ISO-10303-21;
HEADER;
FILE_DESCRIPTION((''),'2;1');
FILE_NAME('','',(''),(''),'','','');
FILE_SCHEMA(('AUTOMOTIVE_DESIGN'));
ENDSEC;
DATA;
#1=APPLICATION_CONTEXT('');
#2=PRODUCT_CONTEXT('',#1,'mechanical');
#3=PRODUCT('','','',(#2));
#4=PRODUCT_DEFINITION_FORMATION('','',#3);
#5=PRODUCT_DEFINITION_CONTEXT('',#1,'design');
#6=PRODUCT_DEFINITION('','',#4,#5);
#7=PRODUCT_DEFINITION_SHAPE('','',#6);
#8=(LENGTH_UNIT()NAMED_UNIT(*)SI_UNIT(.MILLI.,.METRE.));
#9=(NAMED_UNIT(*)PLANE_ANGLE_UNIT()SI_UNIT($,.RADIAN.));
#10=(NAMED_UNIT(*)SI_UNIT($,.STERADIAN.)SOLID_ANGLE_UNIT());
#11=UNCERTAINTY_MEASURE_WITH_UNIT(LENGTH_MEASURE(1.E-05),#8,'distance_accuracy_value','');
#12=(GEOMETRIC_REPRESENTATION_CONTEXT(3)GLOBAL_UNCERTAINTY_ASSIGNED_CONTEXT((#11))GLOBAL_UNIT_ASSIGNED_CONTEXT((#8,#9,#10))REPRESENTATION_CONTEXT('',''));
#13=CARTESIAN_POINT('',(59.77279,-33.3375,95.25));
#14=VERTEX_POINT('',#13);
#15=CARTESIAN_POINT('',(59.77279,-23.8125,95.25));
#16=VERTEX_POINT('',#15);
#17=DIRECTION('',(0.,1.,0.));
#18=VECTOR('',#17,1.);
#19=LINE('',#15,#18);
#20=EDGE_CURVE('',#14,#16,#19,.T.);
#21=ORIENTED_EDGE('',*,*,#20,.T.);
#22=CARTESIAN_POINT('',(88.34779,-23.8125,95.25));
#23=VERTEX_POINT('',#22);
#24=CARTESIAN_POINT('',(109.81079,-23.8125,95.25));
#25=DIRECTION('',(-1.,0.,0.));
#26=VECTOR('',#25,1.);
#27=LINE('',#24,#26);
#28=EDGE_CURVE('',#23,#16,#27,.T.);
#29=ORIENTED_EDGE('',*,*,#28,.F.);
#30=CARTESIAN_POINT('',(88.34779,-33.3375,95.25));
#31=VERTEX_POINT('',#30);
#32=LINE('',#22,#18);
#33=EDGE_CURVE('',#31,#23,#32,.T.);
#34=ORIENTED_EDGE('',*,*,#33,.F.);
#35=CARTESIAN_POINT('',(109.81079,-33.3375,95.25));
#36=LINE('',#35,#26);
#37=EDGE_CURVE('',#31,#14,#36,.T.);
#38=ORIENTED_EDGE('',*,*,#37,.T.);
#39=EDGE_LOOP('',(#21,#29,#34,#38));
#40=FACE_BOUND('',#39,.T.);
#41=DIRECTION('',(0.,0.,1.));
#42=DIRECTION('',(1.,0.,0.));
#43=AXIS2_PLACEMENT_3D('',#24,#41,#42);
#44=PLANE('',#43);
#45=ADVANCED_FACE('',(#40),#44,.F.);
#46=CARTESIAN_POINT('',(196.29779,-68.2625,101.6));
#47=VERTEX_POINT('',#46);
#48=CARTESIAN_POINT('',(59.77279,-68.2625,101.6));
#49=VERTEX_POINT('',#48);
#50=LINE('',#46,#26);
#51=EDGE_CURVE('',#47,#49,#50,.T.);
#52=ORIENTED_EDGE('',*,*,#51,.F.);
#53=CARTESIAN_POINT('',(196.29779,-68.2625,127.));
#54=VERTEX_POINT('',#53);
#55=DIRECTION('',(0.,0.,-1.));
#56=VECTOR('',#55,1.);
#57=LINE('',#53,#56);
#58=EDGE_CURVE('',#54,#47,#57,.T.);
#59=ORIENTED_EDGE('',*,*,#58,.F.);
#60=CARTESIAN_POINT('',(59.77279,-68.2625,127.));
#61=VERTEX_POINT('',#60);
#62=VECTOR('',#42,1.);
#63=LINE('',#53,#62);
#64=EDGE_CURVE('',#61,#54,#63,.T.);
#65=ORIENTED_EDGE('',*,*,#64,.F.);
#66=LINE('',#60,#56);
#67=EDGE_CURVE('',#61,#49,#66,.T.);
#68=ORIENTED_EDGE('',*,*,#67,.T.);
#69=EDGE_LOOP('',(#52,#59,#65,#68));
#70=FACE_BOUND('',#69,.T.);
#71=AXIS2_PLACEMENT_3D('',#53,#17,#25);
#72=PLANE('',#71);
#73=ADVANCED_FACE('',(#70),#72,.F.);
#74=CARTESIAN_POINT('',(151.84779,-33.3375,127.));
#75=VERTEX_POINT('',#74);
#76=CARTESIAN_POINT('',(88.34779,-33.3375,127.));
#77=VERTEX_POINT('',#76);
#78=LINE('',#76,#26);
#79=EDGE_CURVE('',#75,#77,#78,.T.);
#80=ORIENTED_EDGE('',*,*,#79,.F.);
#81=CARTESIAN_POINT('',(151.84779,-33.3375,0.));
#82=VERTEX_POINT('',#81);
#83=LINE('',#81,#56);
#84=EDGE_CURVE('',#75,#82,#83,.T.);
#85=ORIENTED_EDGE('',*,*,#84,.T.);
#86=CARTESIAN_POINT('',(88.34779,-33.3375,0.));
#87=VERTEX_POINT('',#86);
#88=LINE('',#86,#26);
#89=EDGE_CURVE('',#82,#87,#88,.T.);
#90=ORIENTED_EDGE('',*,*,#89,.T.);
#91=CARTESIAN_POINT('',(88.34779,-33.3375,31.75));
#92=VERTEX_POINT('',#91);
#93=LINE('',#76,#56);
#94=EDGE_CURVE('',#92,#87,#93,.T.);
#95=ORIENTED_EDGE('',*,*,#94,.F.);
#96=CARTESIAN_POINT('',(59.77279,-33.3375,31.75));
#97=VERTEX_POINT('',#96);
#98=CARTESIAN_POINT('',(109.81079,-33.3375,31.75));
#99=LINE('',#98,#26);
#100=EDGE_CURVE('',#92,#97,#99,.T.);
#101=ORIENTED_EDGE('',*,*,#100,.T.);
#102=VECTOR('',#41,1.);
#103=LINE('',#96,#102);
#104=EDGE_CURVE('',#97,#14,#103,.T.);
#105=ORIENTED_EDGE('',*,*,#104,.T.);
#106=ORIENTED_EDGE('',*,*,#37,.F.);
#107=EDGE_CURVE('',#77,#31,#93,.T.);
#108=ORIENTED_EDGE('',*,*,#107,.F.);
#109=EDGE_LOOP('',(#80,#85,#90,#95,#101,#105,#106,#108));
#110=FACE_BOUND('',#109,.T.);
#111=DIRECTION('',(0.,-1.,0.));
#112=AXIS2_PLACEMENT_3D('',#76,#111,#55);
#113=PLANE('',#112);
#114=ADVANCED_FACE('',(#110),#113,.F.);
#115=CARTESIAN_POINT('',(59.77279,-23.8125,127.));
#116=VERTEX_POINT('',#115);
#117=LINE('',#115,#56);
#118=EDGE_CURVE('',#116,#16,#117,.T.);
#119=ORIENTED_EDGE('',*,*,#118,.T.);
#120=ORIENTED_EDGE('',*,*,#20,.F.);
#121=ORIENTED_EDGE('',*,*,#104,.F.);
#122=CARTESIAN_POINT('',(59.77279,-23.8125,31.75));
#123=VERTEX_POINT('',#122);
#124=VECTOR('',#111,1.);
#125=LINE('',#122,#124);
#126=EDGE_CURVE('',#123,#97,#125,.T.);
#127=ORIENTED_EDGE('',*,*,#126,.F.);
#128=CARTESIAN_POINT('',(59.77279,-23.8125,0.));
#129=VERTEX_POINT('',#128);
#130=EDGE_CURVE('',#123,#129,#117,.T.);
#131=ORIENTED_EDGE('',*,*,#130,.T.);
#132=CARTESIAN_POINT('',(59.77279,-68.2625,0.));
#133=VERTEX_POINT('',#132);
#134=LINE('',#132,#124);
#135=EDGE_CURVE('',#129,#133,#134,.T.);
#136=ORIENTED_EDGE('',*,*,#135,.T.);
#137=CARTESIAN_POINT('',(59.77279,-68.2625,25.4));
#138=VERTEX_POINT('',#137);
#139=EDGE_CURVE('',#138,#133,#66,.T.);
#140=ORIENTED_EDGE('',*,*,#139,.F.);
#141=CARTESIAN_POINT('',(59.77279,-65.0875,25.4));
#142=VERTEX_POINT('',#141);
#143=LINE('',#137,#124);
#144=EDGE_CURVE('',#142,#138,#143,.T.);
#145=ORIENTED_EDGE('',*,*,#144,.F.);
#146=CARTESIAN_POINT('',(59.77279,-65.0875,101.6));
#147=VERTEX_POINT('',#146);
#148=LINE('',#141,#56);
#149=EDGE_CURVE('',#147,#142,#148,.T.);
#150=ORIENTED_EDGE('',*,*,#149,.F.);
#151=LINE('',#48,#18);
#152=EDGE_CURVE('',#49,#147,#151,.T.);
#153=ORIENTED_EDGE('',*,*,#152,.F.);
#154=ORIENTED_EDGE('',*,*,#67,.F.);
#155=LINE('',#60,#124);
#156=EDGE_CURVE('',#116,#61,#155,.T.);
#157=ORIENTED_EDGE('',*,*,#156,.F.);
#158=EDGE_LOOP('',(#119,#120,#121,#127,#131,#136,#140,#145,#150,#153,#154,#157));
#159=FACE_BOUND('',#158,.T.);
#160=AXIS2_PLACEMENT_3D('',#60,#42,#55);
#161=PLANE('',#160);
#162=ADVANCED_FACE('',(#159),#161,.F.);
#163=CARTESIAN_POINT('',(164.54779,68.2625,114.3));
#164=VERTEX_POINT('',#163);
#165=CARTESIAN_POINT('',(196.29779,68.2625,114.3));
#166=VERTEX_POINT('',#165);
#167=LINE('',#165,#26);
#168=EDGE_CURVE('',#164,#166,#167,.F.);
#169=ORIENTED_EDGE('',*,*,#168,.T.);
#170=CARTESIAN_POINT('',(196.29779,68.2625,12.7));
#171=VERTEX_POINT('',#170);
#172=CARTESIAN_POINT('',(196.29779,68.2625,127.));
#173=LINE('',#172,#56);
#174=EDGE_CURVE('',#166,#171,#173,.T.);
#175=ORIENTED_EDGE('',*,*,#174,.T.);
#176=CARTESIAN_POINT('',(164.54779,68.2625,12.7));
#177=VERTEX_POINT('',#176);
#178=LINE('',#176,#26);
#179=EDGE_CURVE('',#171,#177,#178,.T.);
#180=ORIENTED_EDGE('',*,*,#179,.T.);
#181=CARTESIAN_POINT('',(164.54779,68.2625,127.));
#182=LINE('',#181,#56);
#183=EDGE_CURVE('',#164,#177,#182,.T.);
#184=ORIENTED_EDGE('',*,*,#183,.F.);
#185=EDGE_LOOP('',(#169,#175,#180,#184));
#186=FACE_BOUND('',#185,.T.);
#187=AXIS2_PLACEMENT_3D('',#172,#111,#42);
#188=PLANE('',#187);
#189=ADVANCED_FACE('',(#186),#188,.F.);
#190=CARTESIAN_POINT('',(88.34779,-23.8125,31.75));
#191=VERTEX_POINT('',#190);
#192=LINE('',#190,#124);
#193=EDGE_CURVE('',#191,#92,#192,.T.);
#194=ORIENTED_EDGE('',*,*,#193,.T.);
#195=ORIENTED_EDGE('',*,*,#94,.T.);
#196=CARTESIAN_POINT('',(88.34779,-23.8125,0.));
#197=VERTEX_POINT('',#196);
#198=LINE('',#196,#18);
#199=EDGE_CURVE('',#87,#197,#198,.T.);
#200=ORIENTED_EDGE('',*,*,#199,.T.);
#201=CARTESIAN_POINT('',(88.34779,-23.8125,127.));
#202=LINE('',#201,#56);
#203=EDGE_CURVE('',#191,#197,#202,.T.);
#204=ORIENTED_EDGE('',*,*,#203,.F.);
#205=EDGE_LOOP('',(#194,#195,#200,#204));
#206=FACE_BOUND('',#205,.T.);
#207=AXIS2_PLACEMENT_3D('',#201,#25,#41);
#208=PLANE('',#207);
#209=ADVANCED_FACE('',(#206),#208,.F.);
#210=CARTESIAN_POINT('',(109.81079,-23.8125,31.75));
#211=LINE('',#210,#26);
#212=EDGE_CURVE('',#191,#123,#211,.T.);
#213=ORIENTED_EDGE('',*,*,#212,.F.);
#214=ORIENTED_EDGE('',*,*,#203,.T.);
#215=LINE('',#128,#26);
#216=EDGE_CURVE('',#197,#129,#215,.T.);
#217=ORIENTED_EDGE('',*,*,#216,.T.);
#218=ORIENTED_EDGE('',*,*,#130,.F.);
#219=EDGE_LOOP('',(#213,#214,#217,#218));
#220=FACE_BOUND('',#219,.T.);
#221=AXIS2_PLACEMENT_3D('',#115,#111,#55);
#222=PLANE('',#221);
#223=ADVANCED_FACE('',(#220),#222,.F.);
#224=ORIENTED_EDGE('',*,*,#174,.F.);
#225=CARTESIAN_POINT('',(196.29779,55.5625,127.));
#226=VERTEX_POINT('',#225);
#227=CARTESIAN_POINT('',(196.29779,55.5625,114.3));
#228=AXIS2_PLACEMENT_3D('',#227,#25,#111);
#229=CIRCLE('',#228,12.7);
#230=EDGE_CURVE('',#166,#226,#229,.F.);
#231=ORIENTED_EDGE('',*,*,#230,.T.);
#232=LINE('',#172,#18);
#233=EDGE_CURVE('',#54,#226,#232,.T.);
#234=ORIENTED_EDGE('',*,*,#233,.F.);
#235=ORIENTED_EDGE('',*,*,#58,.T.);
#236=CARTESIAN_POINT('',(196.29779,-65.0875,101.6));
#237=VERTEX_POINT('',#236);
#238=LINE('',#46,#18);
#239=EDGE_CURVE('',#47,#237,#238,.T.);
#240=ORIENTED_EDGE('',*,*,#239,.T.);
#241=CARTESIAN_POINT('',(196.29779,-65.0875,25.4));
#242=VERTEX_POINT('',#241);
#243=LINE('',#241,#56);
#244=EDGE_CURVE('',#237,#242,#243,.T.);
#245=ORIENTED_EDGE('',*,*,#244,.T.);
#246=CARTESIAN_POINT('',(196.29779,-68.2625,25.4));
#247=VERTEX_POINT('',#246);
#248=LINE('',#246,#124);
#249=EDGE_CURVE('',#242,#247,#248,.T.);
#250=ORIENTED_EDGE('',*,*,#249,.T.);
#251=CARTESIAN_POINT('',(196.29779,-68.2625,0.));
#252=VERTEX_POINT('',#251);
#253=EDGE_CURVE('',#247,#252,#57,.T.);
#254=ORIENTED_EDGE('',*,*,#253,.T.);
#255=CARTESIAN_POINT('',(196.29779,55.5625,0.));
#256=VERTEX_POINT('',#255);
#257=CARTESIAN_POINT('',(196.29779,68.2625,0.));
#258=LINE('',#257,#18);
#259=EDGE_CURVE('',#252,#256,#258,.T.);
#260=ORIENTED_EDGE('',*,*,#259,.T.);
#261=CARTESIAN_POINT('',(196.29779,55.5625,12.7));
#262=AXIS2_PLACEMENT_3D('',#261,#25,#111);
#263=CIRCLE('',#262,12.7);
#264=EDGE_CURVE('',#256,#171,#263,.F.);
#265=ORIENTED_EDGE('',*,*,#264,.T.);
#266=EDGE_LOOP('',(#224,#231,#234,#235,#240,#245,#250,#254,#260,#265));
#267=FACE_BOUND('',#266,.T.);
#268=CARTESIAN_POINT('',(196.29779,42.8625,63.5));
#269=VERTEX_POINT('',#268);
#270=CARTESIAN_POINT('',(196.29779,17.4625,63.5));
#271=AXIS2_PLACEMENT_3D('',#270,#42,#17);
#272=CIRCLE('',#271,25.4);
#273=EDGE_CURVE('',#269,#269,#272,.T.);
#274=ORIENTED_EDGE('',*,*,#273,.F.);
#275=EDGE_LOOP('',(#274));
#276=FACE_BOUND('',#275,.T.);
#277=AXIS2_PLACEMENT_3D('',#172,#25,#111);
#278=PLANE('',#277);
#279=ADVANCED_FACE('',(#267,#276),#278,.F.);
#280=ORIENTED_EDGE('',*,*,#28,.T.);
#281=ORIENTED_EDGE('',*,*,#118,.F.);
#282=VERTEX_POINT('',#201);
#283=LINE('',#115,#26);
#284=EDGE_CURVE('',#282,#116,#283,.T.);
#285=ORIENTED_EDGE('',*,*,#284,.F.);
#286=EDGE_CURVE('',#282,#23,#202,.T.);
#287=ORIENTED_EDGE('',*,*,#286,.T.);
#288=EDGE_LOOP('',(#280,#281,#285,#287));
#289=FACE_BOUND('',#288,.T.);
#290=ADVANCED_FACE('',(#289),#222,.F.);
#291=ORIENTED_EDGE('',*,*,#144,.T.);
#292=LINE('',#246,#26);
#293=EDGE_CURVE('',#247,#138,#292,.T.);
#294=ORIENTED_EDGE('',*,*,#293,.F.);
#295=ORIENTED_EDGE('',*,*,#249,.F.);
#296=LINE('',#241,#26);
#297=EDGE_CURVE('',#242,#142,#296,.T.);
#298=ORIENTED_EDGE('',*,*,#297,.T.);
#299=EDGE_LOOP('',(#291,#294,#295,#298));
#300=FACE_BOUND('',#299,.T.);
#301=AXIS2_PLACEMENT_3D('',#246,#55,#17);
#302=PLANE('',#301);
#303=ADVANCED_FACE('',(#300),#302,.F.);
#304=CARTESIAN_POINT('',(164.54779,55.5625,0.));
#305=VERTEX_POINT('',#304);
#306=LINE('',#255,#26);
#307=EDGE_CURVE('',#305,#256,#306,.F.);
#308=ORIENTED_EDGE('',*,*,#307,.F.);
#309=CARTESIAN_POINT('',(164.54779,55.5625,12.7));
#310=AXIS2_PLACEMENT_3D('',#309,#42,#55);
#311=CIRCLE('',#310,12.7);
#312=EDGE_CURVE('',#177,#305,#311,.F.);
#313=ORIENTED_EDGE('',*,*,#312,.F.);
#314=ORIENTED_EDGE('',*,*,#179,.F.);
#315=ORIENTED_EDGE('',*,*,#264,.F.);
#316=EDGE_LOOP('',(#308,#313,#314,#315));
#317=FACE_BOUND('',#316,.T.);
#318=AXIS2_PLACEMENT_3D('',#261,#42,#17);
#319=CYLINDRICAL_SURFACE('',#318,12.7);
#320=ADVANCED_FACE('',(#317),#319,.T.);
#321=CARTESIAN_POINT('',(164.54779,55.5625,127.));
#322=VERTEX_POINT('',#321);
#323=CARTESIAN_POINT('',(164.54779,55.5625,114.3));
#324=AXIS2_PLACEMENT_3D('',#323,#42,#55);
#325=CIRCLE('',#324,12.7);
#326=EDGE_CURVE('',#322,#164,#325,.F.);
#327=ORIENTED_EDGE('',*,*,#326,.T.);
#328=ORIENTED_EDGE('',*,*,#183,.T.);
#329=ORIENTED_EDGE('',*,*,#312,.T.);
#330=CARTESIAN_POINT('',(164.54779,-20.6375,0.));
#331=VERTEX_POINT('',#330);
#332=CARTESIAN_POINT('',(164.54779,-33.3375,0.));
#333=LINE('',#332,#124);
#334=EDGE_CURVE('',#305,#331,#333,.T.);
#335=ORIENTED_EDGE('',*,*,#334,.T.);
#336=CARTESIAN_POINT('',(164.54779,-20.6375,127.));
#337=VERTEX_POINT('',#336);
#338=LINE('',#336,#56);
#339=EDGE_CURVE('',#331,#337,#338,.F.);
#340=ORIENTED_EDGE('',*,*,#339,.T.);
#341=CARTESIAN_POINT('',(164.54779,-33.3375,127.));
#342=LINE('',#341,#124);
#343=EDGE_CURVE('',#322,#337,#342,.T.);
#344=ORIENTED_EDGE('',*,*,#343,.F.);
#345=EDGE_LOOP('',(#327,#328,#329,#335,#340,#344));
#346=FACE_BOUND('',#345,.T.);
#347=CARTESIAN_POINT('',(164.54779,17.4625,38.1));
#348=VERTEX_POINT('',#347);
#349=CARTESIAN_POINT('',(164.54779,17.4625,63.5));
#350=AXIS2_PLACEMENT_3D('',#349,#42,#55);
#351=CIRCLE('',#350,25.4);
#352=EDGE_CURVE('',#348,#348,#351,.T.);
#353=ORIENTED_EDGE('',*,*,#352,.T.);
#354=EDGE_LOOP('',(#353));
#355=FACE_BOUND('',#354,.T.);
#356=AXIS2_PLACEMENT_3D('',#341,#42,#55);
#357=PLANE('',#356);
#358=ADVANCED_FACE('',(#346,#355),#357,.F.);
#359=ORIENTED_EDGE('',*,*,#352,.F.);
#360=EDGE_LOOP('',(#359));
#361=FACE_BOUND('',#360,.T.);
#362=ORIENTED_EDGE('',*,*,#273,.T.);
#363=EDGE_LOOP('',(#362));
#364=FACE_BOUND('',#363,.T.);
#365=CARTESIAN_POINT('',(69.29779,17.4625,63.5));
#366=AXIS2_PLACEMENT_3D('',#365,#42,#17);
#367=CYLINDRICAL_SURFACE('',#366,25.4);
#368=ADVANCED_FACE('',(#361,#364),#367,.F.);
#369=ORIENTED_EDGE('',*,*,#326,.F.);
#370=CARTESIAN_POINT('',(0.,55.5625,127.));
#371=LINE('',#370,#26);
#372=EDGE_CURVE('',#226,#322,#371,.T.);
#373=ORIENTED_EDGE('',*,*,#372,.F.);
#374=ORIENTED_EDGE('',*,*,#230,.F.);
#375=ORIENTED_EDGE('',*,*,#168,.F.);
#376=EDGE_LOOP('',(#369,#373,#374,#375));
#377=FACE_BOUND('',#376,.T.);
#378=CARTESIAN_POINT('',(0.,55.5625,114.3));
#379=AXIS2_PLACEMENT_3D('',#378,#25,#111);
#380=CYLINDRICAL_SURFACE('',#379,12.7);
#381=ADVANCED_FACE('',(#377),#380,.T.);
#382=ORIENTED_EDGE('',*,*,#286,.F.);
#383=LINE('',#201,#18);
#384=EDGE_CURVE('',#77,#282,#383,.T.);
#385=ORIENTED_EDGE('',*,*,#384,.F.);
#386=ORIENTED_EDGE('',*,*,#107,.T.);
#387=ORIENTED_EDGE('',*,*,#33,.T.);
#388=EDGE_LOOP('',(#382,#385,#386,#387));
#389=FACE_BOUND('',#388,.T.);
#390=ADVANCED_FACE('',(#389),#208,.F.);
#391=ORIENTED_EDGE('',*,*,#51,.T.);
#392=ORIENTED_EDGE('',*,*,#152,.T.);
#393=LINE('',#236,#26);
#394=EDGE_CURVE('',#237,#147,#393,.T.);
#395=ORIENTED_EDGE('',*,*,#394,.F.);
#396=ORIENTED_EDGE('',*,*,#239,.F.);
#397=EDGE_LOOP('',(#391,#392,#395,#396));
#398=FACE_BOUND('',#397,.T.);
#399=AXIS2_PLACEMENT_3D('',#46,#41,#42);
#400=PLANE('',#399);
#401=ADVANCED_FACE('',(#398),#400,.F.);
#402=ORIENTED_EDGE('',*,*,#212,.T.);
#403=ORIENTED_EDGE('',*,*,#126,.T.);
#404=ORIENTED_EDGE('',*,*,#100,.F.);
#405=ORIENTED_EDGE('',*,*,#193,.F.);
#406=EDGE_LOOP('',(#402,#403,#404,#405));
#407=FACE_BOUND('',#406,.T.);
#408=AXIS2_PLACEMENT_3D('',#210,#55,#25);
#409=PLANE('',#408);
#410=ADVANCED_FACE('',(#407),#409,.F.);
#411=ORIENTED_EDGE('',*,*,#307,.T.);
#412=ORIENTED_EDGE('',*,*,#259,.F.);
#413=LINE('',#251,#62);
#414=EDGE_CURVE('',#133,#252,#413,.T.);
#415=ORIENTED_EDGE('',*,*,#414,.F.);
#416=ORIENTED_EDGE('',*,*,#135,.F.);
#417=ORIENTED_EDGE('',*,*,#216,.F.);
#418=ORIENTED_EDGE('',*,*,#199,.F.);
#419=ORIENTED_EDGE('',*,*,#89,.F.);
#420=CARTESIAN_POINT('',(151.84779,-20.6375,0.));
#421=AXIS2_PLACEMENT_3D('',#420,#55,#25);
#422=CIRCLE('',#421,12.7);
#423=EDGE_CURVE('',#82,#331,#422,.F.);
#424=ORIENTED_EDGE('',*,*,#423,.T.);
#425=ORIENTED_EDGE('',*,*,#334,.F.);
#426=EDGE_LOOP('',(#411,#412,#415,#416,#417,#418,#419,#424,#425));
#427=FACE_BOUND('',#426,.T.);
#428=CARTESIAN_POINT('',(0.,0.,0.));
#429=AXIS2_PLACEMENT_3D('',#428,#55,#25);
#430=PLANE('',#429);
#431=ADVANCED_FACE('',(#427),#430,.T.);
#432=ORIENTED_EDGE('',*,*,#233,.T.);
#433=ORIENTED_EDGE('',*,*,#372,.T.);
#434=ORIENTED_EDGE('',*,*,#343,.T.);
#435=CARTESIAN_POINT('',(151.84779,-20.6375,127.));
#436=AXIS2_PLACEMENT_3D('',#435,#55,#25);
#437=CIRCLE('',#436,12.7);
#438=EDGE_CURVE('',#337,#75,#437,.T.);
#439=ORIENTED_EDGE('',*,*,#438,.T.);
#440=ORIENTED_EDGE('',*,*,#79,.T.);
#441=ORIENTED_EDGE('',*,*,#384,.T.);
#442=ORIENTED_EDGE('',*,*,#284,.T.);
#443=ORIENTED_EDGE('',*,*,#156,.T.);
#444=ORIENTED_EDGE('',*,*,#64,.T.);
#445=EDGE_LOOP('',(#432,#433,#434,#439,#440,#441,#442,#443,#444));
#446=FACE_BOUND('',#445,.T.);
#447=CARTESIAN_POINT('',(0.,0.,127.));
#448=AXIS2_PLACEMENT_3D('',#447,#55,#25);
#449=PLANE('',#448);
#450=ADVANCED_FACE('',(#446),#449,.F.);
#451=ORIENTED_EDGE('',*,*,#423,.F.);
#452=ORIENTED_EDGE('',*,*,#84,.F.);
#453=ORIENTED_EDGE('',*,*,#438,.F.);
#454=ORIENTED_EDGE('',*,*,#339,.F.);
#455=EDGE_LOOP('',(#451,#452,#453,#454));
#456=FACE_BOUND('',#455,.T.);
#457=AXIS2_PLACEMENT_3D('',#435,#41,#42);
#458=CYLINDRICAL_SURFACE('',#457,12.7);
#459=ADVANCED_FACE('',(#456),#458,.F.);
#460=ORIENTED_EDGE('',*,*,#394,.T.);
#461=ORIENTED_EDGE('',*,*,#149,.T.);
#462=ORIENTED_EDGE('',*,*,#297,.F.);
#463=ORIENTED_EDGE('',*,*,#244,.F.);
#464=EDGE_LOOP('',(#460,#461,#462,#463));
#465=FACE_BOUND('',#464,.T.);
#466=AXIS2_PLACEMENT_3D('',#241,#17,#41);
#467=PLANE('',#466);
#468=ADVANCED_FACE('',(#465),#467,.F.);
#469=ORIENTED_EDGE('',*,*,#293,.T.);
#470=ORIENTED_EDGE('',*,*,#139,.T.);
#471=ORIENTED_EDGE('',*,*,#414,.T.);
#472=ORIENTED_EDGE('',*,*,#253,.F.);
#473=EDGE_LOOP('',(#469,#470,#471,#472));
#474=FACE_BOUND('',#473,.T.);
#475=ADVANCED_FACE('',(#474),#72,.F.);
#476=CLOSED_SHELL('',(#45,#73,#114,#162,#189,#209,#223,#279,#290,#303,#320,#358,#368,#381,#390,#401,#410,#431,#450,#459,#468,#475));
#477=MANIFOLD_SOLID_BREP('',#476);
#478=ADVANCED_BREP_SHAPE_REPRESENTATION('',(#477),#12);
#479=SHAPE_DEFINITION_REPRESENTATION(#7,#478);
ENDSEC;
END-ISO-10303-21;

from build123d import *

# Parameters (mm, degrees)
BOSS_EXTRUDE1_DEPTH = 127
SKETCH2_R           = 25.4
CUT_EXTRUDE1_DEPTH  = 127
SKETCH3_W           = 76.2
SKETCH3_H           = 3.175
CUT_EXTRUDE2_DEPTH  = 199.564459386
SKETCH4_W           = 63.5
SKETCH4_H           = 9.525
CUT_EXTRUDE4_DEPTH  = 50.038
FILLET1_R           = 12.7


with BuildPart() as part:
    # Sketch1 → Boss-Extrude1 (new body)
    with BuildSketch(Plane.XY):
        Polygon((196.297790454, 68.2625), (196.297790454, -68.2625), (59.772790454, -68.2625), (59.772790454, -23.8125), (88.347790454, -23.8125), (88.347790454, -33.3375), (164.547790454, -33.3375), (164.547790454, 68.2625), align=None)
    extrude(amount=BOSS_EXTRUDE1_DEPTH)

    # Sketch2 → Cut-Extrude1 (cut)
    with BuildSketch(Plane(origin=(196.297790454, 0, 0), x_dir=(0, 0, -1), z_dir=(1, 0, 0))):
        with Locations(Location((-63.5, 17.4625, 0), (0, 0, 90))):
            Circle(SKETCH2_R)
    extrude(amount=-CUT_EXTRUDE1_DEPTH, mode=Mode.SUBTRACT)

    # Sketch3 → Cut-Extrude2 (cut, through all)
    with BuildSketch(Plane.ZY.offset(-59.772790454)):
        with Locations((63.5, -66.675)):
            Rectangle(SKETCH3_W, SKETCH3_H)
    extrude(amount=-CUT_EXTRUDE2_DEPTH, mode=Mode.SUBTRACT)

    # Sketch4 → Cut-Extrude4 (cut)
    with BuildSketch(Plane.ZY.offset(-59.772790454)):
        with Locations((63.5, -28.575)):
            Rectangle(SKETCH4_W, SKETCH4_H)
    extrude(amount=-CUT_EXTRUDE4_DEPTH, mode=Mode.SUBTRACT)

    # Fillet1
    fillet1_edges = [part.edges().sort_by_distance(p)[0] for p in [
        (180.422790454, 68.2625, 0),
        (164.547790454, -33.3375, 63.5),
        (180.422790454, 68.2625, 127),
    ]]
    fillet(fillet1_edges, radius=FILLET1_R)


solid = part.part
